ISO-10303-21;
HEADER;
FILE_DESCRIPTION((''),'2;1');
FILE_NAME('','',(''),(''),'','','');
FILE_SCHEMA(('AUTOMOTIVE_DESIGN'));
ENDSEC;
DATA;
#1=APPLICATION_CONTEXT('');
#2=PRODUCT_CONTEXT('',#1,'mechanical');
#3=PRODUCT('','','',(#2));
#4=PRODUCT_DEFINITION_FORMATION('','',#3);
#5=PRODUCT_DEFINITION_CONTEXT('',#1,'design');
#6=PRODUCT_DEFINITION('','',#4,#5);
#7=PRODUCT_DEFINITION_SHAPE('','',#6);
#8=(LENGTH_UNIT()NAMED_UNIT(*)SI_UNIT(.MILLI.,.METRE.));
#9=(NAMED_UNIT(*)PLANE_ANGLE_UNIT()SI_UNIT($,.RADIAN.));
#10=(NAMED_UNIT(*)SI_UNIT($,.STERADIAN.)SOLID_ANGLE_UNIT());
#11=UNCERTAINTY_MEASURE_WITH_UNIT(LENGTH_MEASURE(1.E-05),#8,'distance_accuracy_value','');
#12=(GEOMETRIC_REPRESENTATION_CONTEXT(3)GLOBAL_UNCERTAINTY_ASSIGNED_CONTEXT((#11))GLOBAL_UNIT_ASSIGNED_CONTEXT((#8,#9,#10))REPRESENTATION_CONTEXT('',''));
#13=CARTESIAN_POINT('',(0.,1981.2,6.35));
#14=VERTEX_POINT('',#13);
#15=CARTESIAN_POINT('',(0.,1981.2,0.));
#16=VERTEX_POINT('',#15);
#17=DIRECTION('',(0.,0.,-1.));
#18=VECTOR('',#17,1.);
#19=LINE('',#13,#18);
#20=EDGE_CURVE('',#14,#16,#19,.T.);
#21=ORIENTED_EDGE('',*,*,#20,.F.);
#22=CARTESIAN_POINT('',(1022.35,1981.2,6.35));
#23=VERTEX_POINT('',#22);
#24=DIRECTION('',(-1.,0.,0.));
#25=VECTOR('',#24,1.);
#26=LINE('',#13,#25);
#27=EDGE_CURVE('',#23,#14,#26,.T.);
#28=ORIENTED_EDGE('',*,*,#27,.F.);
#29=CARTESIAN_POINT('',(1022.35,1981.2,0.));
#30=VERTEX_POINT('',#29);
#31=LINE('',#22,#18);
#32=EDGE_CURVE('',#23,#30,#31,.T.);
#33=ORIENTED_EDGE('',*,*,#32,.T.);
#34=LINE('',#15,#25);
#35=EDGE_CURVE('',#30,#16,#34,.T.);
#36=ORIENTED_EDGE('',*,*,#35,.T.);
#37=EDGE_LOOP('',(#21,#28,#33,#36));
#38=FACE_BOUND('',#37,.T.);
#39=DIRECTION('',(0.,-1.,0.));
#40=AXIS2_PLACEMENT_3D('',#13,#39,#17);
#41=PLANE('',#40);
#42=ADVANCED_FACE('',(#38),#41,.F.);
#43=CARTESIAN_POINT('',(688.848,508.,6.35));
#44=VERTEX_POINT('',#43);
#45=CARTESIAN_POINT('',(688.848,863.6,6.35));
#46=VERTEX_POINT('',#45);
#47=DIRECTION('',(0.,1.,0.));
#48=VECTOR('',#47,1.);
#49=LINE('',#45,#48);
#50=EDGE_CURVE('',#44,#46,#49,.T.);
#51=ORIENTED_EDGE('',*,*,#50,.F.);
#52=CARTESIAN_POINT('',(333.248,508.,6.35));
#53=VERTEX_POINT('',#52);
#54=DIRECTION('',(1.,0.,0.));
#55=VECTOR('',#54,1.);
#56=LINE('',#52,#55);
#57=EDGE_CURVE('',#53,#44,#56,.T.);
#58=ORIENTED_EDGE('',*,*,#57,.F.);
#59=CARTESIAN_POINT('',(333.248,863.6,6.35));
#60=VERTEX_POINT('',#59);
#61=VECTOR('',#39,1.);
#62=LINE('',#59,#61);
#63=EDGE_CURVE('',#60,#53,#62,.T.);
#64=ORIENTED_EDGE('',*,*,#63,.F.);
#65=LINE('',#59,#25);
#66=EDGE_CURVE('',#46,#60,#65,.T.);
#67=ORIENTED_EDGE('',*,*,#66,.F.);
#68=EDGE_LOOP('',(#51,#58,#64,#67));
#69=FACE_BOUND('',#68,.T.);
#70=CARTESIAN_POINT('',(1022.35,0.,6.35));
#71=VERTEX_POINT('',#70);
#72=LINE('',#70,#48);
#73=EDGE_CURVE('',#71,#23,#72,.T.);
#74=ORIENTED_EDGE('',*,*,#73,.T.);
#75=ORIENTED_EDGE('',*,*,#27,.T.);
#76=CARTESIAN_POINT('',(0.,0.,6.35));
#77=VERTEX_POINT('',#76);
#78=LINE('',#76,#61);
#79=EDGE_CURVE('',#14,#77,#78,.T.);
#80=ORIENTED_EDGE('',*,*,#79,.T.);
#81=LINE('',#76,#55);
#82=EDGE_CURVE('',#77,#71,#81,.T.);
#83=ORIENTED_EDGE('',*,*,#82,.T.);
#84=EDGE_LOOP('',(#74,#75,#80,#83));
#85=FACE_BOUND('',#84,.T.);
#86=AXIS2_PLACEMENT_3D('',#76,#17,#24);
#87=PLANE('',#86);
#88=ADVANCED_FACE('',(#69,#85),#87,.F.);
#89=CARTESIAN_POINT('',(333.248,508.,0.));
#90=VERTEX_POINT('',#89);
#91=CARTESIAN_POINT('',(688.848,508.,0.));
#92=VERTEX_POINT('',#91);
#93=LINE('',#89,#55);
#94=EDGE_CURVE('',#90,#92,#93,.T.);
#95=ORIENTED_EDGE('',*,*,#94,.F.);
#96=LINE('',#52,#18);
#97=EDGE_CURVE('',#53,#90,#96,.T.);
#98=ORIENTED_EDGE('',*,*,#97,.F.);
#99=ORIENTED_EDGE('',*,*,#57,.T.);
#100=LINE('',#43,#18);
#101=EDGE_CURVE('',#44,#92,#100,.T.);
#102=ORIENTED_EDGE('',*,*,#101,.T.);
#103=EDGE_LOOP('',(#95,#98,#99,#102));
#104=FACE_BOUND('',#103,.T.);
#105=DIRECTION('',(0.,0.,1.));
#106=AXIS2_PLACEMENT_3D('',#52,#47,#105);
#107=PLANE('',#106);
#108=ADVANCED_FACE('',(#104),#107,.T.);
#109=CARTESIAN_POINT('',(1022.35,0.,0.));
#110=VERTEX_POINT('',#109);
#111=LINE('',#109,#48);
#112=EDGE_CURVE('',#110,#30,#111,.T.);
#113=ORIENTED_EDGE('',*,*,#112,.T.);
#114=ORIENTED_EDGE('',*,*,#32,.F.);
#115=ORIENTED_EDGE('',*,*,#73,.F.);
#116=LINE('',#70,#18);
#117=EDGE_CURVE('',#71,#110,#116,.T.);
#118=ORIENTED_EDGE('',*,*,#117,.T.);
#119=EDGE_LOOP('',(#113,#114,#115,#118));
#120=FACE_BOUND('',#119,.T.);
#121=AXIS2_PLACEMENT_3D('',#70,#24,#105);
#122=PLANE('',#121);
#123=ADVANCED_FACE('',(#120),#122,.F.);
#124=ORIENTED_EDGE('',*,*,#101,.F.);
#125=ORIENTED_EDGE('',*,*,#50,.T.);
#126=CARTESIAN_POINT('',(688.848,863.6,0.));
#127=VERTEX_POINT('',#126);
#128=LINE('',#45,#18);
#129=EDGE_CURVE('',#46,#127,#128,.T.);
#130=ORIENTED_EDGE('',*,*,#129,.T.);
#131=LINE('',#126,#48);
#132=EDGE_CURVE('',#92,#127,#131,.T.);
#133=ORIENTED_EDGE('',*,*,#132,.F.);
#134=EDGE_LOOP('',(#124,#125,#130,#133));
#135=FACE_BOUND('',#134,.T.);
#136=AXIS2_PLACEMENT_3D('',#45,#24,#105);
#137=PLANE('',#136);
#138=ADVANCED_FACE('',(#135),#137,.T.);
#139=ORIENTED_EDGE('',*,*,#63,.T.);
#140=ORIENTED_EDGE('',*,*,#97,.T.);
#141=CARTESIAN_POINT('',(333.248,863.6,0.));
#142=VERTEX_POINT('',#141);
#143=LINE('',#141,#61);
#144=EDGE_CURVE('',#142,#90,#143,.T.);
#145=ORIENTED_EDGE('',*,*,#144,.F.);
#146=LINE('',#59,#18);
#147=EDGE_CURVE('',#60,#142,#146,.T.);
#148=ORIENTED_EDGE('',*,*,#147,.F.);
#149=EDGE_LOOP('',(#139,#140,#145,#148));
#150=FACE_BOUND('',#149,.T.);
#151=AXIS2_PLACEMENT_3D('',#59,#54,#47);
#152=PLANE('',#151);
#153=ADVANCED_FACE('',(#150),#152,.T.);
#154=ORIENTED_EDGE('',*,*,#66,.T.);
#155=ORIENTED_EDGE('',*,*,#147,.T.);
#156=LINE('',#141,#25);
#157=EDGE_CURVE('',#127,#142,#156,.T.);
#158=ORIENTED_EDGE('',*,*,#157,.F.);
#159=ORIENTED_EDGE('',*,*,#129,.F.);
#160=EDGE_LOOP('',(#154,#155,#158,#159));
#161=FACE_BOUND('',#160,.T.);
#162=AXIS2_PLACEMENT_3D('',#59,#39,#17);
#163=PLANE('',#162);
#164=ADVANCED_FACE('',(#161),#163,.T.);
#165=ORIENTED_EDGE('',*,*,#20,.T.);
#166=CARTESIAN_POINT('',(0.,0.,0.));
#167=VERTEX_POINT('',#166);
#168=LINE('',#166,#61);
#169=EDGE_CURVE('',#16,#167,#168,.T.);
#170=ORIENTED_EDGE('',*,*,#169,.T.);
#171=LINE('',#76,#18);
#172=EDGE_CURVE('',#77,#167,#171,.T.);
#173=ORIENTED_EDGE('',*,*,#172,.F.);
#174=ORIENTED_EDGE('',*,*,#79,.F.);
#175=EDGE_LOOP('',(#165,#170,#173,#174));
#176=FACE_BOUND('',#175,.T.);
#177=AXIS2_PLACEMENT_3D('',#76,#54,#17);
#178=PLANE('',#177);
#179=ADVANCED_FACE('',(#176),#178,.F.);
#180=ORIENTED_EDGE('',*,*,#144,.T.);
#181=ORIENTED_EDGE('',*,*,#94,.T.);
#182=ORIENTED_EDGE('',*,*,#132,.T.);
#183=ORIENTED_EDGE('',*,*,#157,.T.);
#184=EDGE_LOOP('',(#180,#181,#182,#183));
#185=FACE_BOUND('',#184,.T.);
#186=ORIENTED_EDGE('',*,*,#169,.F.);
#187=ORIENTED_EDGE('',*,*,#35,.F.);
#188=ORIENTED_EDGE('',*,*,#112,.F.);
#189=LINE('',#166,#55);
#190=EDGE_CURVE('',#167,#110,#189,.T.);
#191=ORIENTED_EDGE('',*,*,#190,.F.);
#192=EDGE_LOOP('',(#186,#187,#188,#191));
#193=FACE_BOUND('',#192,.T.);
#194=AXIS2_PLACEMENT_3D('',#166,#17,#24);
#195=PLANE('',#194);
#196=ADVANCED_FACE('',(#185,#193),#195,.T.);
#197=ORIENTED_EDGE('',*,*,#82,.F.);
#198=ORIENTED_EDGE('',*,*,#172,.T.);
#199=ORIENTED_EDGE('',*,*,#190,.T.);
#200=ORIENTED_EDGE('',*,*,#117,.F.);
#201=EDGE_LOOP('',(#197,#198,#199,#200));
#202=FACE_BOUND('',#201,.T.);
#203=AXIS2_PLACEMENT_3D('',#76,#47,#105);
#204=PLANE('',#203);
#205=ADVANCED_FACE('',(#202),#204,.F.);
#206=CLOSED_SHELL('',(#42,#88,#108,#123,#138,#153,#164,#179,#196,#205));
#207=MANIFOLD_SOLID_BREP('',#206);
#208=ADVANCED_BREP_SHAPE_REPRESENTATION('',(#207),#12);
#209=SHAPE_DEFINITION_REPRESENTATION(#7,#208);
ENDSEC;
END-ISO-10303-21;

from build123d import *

# Parameters (mm, degrees)
SKETCH1_W           = 1022.35
SKETCH1_H           = 1981.2
SKETCH1_W_2         = 355.6
SKETCH1_H_2         = 355.6
BOSS_EXTRUDE1_DEPTH = 6.35


with BuildPart() as part:
    # Sketch1 → Boss-Extrude1 (new body)
    with BuildSketch(Plane.XY):
        with Locations((511.175, 990.6)):
            Rectangle(SKETCH1_W, SKETCH1_H)
        with Locations((511.048, 685.8)):
            Rectangle(SKETCH1_W_2, SKETCH1_H_2, mode=Mode.SUBTRACT)
    extrude(amount=BOSS_EXTRUDE1_DEPTH)


solid = part.part
